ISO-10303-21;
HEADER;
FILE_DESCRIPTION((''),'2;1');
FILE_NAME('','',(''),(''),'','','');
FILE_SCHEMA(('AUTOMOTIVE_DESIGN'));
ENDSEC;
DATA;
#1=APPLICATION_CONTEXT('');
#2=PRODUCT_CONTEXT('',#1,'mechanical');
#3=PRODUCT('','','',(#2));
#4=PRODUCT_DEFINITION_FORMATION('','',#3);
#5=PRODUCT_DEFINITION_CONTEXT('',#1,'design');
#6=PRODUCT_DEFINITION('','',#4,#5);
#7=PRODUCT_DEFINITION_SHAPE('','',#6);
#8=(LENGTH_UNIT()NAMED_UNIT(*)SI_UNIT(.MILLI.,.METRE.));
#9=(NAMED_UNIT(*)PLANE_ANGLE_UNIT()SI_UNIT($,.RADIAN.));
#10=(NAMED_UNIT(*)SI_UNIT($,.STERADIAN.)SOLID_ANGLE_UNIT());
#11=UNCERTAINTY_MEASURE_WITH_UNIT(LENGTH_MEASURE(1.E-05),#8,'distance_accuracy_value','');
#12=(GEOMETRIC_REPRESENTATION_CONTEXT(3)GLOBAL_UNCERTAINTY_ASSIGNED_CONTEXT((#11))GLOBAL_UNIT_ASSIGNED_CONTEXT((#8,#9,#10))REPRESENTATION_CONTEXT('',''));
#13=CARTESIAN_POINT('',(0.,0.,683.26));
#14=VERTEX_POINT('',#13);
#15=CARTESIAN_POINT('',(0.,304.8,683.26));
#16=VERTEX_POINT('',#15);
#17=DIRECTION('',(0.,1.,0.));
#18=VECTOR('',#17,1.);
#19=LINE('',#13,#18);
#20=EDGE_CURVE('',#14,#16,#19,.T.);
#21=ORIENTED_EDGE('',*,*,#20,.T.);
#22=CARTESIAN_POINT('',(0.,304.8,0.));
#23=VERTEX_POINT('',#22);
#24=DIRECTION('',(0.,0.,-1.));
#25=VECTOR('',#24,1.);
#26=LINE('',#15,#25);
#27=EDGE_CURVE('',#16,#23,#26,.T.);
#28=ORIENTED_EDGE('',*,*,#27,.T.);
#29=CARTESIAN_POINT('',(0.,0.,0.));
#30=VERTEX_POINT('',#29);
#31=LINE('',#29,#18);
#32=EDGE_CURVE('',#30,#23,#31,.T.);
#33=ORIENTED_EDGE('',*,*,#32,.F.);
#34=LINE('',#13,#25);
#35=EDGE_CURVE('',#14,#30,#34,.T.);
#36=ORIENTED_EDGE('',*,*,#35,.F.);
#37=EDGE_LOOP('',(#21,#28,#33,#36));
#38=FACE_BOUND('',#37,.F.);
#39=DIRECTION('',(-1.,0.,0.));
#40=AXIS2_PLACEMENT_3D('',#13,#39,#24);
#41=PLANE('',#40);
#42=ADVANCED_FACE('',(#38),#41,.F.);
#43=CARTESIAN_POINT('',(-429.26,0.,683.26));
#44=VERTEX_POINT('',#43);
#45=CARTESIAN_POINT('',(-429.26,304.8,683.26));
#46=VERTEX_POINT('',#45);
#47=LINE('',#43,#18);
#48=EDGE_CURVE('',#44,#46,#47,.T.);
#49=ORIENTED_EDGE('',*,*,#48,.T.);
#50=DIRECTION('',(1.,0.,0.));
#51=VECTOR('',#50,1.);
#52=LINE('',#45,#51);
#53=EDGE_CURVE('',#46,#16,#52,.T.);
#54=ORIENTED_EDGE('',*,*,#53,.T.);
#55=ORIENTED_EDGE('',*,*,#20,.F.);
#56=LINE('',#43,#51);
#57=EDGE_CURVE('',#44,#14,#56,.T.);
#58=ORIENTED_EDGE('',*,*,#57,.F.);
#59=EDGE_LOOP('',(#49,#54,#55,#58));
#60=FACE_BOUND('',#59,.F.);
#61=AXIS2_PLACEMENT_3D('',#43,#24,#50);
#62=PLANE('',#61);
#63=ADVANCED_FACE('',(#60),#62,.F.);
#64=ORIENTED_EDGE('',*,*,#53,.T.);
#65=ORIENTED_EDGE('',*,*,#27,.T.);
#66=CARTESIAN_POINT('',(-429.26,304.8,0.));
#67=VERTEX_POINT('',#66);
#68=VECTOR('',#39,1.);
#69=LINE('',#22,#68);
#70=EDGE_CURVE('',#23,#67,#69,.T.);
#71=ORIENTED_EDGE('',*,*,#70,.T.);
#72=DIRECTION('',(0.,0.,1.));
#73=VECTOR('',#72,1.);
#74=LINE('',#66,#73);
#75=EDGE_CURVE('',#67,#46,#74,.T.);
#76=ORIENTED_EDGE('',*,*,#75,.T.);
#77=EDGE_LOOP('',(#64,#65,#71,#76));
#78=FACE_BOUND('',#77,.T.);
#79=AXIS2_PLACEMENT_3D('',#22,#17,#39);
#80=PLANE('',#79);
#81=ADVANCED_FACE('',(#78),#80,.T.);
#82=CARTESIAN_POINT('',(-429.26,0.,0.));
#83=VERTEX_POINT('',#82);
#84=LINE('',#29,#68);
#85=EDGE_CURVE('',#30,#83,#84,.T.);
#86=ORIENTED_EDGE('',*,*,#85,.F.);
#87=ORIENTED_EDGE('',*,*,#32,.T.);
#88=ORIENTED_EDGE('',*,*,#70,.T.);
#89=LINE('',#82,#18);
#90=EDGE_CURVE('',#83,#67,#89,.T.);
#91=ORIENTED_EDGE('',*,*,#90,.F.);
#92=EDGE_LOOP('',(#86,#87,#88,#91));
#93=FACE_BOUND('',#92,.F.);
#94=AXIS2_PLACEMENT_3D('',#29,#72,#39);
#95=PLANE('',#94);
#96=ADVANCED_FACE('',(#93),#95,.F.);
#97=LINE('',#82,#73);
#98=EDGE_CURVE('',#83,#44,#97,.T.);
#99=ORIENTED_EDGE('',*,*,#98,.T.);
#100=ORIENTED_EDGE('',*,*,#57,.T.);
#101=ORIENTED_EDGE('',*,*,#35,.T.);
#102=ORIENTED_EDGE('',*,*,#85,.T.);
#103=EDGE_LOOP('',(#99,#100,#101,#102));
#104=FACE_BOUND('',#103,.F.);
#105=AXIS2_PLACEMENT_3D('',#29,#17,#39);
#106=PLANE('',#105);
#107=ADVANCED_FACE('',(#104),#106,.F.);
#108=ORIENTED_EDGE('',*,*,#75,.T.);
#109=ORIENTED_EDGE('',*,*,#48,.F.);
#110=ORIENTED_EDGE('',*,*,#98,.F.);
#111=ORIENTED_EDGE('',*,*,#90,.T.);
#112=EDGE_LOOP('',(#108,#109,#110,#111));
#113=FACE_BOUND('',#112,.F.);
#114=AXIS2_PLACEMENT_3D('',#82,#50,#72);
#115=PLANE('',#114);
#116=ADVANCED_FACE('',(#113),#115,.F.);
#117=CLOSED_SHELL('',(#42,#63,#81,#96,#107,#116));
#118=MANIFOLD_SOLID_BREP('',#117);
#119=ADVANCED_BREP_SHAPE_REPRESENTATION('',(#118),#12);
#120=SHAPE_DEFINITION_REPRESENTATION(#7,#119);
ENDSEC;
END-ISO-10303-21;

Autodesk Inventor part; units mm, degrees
ref_plane "YZ Plane" through (0, 0, 0) normal (1, 0, 0) x (0, 1, 0)
ref_plane "XZ Plane" through (0, 0, 0) normal (0, 1, 0) x (-1, 0, 0)
ref_plane "XY Plane" through (0, 0, 0) normal (0, 0, 1) x (1, 0, 0)
sketch "Sketch1" plane through (0, 0, 0) normal (0, 1, 0) x (-1, 0, 0)
  point P0 (0, 0)
sketch "Sketch2" plane through (0, 0, 0) normal (0, 1, 0) x (-1, 0, 0)
  line L0 (0, 0) -> (429.26, 0)
  line L1 (429.26, 0) -> (429.26, 683.26)
  line L2 (429.26, 683.26) -> (0, 683.26)
  line L3 (0, 683.26) -> (0, 0)
  dimension "d0" = 683.26
  dimension "d1" = 429.26
extrude "Extrusion1" add sketch "Sketch2" along normal blind 304.8
properties part number "Crate"
